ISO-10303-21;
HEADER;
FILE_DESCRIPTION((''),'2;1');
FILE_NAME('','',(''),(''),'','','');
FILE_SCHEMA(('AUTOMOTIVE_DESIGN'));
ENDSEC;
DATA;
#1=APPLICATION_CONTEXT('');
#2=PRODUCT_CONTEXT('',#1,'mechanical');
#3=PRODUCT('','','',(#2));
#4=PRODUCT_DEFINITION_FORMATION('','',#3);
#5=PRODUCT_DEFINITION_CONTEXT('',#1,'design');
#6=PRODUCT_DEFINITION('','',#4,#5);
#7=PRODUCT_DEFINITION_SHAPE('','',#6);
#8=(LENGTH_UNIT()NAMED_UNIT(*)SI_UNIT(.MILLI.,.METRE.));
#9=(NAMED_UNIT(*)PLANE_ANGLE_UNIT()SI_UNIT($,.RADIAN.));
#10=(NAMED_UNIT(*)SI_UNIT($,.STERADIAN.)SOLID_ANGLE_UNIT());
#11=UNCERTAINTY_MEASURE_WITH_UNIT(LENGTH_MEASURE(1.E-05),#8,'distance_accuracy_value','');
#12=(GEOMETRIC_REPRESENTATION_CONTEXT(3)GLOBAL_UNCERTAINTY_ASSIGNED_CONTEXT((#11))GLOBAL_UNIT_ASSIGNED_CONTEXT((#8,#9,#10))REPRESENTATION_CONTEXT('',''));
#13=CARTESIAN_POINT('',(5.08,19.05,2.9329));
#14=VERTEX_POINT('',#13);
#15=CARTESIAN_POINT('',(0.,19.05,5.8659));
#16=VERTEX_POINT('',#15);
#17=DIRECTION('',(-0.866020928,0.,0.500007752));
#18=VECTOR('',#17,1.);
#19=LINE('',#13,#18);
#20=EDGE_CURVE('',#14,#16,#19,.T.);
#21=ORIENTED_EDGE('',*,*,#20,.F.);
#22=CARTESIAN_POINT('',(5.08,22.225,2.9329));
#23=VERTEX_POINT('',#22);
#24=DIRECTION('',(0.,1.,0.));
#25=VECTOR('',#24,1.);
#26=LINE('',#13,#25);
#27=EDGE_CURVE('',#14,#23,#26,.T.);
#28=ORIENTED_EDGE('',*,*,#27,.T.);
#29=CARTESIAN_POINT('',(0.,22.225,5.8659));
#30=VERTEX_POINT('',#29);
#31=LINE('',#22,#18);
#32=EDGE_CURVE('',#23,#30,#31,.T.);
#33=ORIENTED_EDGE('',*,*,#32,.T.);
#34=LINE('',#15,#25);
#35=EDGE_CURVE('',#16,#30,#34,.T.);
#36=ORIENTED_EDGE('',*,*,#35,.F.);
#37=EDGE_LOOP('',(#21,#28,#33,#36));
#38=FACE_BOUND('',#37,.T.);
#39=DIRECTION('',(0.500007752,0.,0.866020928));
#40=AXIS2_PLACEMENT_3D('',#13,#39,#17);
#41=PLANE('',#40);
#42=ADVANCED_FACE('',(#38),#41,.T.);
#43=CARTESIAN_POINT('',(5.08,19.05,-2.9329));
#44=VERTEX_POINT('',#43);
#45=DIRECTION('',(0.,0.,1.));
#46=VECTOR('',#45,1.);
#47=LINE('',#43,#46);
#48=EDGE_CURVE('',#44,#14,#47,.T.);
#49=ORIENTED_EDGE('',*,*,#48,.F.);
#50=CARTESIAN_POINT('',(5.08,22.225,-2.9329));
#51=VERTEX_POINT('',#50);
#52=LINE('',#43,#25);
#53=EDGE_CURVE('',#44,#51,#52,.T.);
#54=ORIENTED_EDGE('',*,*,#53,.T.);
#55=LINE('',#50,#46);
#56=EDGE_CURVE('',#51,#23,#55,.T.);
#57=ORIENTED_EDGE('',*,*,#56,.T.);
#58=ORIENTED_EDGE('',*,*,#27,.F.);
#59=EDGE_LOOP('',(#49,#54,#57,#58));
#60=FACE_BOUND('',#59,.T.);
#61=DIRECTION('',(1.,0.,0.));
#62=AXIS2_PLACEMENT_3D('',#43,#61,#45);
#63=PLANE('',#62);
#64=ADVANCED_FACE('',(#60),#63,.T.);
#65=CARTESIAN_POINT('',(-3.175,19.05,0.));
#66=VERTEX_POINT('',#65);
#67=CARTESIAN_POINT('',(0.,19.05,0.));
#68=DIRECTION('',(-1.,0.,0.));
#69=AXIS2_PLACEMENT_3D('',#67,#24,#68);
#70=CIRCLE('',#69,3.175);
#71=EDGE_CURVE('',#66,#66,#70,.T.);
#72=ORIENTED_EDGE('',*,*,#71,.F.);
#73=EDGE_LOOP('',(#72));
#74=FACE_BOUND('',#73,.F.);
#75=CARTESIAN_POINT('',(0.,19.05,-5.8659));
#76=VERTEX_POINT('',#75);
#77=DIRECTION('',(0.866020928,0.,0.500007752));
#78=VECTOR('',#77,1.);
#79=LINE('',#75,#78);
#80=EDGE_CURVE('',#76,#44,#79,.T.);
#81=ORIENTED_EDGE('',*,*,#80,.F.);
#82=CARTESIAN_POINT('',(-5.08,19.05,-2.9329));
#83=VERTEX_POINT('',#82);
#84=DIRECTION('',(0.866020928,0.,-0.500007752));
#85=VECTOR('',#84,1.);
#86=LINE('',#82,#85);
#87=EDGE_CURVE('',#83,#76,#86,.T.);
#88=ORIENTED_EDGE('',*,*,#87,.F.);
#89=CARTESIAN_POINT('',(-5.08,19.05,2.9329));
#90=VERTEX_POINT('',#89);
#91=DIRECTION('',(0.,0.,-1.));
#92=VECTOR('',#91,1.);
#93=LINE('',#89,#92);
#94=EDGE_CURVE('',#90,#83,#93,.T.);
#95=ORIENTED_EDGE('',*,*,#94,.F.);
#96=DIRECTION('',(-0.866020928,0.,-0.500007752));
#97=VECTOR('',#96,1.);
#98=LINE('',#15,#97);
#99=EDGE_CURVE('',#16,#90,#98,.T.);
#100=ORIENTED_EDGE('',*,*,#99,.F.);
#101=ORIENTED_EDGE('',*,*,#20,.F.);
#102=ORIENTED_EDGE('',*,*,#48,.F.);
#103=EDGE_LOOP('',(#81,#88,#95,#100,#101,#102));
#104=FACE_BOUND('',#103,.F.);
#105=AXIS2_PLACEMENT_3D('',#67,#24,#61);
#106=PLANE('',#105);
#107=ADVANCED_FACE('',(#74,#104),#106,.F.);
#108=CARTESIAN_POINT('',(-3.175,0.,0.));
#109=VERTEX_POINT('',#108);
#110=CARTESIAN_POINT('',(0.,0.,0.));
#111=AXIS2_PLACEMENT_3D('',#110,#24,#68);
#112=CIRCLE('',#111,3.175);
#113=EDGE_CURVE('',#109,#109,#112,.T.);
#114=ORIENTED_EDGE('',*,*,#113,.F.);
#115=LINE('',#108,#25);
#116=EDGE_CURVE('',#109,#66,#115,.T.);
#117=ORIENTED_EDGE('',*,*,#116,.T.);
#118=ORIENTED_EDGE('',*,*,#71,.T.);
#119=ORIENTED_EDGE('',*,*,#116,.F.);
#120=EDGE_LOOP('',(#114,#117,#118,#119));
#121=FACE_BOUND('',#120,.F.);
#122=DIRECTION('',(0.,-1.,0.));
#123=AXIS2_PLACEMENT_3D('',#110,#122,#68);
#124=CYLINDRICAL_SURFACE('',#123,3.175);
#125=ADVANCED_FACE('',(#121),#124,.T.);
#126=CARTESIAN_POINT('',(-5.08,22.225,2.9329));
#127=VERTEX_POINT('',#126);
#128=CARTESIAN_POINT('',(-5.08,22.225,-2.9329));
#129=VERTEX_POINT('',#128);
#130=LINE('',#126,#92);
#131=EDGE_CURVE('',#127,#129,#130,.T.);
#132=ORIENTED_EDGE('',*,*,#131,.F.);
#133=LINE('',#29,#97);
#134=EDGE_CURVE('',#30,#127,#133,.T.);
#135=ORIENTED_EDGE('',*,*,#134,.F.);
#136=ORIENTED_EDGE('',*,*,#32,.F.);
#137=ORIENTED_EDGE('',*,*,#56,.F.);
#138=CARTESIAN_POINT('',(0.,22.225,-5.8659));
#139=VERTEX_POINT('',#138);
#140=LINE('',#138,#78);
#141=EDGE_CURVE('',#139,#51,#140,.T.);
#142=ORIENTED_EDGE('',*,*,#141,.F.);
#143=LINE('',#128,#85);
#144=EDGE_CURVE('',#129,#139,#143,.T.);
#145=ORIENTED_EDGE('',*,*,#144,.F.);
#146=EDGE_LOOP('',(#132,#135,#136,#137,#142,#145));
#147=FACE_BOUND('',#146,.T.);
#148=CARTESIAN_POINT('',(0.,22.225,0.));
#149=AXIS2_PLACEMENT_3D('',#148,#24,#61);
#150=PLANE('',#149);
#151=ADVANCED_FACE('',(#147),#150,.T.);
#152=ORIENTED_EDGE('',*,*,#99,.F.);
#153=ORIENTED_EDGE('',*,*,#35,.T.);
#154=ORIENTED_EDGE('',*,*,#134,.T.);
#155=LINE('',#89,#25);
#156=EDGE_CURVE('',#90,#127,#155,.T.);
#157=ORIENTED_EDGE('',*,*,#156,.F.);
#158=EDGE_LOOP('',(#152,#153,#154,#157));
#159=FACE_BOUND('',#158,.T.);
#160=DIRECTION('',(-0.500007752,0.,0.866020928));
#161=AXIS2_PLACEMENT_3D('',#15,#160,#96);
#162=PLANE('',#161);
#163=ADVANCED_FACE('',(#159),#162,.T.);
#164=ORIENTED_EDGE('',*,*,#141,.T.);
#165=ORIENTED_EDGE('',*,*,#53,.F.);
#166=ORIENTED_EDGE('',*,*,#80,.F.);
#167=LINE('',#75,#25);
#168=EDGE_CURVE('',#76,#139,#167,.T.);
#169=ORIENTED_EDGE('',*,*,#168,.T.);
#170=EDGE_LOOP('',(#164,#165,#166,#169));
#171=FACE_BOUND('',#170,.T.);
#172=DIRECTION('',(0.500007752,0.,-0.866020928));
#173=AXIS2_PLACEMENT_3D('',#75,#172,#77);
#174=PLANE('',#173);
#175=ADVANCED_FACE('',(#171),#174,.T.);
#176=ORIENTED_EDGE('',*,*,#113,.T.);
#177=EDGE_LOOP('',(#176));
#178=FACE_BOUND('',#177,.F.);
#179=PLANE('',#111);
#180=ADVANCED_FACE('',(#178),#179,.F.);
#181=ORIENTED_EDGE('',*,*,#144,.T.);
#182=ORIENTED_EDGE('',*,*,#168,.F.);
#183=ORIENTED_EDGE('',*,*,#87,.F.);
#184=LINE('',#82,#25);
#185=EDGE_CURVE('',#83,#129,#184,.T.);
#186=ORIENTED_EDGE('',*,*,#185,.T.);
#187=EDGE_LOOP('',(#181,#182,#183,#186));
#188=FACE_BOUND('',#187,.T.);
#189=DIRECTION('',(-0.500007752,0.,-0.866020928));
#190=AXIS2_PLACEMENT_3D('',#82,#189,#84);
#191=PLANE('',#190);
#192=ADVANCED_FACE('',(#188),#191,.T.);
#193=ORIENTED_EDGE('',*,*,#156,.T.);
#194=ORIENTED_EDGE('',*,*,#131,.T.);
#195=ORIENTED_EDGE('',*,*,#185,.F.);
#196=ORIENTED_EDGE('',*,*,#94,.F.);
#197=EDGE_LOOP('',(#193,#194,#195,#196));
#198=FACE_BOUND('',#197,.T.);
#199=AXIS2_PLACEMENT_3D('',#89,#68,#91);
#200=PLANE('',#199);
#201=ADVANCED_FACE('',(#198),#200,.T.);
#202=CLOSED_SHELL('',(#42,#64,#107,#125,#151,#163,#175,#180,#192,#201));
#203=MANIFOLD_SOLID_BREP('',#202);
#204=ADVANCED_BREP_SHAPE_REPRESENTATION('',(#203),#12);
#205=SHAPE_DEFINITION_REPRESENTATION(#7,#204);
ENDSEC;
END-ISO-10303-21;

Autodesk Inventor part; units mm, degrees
ref_plane "YZ Plane" through (0, 0, 0) normal (1, 0, 0) x (0, 1, 0)
ref_plane "XZ Plane" through (0, 0, 0) normal (0, 1, 0) x (-1, 0, 0)
ref_plane "XY Plane" through (0, 0, 0) normal (0, 0, 1) x (1, 0, 0)
sketch "Sketch1" plane through (0, 0, 0) normal (0, 1, 0) x (-1, 0, 0)
  circle A0 centre (0, 0) radius 3.175
  dimension "d0" = 6.35
extrude "Extrusion1" add sketch "Sketch1" along normal blind 19.05
sketch "Sketch2" plane through (0, 19.05, 0) normal (0, 1, 0) x (1, 0, 0)
  line L0 (0, -5.8659) -> (-5.08, -2.9329)
  line L1 (-5.08, -2.9329) -> (-5.08, 2.9329)
  line L2 (-5.08, 2.9329) -> (0, 5.8659)
  line L3 (0, 5.8659) -> (5.08, 2.9329)
  line L4 (5.08, 2.9329) -> (5.08, -2.9329)
  line L5 (5.08, -2.9329) -> (0, -5.8659)
  point P0 (0, 0)
  point P1 (0, 0)
  dimension "d4" = 5.08
extrude "Extrusion2" add sketch "Sketch2" along normal blind 3.175
properties part number "BM Beam Bolt"
